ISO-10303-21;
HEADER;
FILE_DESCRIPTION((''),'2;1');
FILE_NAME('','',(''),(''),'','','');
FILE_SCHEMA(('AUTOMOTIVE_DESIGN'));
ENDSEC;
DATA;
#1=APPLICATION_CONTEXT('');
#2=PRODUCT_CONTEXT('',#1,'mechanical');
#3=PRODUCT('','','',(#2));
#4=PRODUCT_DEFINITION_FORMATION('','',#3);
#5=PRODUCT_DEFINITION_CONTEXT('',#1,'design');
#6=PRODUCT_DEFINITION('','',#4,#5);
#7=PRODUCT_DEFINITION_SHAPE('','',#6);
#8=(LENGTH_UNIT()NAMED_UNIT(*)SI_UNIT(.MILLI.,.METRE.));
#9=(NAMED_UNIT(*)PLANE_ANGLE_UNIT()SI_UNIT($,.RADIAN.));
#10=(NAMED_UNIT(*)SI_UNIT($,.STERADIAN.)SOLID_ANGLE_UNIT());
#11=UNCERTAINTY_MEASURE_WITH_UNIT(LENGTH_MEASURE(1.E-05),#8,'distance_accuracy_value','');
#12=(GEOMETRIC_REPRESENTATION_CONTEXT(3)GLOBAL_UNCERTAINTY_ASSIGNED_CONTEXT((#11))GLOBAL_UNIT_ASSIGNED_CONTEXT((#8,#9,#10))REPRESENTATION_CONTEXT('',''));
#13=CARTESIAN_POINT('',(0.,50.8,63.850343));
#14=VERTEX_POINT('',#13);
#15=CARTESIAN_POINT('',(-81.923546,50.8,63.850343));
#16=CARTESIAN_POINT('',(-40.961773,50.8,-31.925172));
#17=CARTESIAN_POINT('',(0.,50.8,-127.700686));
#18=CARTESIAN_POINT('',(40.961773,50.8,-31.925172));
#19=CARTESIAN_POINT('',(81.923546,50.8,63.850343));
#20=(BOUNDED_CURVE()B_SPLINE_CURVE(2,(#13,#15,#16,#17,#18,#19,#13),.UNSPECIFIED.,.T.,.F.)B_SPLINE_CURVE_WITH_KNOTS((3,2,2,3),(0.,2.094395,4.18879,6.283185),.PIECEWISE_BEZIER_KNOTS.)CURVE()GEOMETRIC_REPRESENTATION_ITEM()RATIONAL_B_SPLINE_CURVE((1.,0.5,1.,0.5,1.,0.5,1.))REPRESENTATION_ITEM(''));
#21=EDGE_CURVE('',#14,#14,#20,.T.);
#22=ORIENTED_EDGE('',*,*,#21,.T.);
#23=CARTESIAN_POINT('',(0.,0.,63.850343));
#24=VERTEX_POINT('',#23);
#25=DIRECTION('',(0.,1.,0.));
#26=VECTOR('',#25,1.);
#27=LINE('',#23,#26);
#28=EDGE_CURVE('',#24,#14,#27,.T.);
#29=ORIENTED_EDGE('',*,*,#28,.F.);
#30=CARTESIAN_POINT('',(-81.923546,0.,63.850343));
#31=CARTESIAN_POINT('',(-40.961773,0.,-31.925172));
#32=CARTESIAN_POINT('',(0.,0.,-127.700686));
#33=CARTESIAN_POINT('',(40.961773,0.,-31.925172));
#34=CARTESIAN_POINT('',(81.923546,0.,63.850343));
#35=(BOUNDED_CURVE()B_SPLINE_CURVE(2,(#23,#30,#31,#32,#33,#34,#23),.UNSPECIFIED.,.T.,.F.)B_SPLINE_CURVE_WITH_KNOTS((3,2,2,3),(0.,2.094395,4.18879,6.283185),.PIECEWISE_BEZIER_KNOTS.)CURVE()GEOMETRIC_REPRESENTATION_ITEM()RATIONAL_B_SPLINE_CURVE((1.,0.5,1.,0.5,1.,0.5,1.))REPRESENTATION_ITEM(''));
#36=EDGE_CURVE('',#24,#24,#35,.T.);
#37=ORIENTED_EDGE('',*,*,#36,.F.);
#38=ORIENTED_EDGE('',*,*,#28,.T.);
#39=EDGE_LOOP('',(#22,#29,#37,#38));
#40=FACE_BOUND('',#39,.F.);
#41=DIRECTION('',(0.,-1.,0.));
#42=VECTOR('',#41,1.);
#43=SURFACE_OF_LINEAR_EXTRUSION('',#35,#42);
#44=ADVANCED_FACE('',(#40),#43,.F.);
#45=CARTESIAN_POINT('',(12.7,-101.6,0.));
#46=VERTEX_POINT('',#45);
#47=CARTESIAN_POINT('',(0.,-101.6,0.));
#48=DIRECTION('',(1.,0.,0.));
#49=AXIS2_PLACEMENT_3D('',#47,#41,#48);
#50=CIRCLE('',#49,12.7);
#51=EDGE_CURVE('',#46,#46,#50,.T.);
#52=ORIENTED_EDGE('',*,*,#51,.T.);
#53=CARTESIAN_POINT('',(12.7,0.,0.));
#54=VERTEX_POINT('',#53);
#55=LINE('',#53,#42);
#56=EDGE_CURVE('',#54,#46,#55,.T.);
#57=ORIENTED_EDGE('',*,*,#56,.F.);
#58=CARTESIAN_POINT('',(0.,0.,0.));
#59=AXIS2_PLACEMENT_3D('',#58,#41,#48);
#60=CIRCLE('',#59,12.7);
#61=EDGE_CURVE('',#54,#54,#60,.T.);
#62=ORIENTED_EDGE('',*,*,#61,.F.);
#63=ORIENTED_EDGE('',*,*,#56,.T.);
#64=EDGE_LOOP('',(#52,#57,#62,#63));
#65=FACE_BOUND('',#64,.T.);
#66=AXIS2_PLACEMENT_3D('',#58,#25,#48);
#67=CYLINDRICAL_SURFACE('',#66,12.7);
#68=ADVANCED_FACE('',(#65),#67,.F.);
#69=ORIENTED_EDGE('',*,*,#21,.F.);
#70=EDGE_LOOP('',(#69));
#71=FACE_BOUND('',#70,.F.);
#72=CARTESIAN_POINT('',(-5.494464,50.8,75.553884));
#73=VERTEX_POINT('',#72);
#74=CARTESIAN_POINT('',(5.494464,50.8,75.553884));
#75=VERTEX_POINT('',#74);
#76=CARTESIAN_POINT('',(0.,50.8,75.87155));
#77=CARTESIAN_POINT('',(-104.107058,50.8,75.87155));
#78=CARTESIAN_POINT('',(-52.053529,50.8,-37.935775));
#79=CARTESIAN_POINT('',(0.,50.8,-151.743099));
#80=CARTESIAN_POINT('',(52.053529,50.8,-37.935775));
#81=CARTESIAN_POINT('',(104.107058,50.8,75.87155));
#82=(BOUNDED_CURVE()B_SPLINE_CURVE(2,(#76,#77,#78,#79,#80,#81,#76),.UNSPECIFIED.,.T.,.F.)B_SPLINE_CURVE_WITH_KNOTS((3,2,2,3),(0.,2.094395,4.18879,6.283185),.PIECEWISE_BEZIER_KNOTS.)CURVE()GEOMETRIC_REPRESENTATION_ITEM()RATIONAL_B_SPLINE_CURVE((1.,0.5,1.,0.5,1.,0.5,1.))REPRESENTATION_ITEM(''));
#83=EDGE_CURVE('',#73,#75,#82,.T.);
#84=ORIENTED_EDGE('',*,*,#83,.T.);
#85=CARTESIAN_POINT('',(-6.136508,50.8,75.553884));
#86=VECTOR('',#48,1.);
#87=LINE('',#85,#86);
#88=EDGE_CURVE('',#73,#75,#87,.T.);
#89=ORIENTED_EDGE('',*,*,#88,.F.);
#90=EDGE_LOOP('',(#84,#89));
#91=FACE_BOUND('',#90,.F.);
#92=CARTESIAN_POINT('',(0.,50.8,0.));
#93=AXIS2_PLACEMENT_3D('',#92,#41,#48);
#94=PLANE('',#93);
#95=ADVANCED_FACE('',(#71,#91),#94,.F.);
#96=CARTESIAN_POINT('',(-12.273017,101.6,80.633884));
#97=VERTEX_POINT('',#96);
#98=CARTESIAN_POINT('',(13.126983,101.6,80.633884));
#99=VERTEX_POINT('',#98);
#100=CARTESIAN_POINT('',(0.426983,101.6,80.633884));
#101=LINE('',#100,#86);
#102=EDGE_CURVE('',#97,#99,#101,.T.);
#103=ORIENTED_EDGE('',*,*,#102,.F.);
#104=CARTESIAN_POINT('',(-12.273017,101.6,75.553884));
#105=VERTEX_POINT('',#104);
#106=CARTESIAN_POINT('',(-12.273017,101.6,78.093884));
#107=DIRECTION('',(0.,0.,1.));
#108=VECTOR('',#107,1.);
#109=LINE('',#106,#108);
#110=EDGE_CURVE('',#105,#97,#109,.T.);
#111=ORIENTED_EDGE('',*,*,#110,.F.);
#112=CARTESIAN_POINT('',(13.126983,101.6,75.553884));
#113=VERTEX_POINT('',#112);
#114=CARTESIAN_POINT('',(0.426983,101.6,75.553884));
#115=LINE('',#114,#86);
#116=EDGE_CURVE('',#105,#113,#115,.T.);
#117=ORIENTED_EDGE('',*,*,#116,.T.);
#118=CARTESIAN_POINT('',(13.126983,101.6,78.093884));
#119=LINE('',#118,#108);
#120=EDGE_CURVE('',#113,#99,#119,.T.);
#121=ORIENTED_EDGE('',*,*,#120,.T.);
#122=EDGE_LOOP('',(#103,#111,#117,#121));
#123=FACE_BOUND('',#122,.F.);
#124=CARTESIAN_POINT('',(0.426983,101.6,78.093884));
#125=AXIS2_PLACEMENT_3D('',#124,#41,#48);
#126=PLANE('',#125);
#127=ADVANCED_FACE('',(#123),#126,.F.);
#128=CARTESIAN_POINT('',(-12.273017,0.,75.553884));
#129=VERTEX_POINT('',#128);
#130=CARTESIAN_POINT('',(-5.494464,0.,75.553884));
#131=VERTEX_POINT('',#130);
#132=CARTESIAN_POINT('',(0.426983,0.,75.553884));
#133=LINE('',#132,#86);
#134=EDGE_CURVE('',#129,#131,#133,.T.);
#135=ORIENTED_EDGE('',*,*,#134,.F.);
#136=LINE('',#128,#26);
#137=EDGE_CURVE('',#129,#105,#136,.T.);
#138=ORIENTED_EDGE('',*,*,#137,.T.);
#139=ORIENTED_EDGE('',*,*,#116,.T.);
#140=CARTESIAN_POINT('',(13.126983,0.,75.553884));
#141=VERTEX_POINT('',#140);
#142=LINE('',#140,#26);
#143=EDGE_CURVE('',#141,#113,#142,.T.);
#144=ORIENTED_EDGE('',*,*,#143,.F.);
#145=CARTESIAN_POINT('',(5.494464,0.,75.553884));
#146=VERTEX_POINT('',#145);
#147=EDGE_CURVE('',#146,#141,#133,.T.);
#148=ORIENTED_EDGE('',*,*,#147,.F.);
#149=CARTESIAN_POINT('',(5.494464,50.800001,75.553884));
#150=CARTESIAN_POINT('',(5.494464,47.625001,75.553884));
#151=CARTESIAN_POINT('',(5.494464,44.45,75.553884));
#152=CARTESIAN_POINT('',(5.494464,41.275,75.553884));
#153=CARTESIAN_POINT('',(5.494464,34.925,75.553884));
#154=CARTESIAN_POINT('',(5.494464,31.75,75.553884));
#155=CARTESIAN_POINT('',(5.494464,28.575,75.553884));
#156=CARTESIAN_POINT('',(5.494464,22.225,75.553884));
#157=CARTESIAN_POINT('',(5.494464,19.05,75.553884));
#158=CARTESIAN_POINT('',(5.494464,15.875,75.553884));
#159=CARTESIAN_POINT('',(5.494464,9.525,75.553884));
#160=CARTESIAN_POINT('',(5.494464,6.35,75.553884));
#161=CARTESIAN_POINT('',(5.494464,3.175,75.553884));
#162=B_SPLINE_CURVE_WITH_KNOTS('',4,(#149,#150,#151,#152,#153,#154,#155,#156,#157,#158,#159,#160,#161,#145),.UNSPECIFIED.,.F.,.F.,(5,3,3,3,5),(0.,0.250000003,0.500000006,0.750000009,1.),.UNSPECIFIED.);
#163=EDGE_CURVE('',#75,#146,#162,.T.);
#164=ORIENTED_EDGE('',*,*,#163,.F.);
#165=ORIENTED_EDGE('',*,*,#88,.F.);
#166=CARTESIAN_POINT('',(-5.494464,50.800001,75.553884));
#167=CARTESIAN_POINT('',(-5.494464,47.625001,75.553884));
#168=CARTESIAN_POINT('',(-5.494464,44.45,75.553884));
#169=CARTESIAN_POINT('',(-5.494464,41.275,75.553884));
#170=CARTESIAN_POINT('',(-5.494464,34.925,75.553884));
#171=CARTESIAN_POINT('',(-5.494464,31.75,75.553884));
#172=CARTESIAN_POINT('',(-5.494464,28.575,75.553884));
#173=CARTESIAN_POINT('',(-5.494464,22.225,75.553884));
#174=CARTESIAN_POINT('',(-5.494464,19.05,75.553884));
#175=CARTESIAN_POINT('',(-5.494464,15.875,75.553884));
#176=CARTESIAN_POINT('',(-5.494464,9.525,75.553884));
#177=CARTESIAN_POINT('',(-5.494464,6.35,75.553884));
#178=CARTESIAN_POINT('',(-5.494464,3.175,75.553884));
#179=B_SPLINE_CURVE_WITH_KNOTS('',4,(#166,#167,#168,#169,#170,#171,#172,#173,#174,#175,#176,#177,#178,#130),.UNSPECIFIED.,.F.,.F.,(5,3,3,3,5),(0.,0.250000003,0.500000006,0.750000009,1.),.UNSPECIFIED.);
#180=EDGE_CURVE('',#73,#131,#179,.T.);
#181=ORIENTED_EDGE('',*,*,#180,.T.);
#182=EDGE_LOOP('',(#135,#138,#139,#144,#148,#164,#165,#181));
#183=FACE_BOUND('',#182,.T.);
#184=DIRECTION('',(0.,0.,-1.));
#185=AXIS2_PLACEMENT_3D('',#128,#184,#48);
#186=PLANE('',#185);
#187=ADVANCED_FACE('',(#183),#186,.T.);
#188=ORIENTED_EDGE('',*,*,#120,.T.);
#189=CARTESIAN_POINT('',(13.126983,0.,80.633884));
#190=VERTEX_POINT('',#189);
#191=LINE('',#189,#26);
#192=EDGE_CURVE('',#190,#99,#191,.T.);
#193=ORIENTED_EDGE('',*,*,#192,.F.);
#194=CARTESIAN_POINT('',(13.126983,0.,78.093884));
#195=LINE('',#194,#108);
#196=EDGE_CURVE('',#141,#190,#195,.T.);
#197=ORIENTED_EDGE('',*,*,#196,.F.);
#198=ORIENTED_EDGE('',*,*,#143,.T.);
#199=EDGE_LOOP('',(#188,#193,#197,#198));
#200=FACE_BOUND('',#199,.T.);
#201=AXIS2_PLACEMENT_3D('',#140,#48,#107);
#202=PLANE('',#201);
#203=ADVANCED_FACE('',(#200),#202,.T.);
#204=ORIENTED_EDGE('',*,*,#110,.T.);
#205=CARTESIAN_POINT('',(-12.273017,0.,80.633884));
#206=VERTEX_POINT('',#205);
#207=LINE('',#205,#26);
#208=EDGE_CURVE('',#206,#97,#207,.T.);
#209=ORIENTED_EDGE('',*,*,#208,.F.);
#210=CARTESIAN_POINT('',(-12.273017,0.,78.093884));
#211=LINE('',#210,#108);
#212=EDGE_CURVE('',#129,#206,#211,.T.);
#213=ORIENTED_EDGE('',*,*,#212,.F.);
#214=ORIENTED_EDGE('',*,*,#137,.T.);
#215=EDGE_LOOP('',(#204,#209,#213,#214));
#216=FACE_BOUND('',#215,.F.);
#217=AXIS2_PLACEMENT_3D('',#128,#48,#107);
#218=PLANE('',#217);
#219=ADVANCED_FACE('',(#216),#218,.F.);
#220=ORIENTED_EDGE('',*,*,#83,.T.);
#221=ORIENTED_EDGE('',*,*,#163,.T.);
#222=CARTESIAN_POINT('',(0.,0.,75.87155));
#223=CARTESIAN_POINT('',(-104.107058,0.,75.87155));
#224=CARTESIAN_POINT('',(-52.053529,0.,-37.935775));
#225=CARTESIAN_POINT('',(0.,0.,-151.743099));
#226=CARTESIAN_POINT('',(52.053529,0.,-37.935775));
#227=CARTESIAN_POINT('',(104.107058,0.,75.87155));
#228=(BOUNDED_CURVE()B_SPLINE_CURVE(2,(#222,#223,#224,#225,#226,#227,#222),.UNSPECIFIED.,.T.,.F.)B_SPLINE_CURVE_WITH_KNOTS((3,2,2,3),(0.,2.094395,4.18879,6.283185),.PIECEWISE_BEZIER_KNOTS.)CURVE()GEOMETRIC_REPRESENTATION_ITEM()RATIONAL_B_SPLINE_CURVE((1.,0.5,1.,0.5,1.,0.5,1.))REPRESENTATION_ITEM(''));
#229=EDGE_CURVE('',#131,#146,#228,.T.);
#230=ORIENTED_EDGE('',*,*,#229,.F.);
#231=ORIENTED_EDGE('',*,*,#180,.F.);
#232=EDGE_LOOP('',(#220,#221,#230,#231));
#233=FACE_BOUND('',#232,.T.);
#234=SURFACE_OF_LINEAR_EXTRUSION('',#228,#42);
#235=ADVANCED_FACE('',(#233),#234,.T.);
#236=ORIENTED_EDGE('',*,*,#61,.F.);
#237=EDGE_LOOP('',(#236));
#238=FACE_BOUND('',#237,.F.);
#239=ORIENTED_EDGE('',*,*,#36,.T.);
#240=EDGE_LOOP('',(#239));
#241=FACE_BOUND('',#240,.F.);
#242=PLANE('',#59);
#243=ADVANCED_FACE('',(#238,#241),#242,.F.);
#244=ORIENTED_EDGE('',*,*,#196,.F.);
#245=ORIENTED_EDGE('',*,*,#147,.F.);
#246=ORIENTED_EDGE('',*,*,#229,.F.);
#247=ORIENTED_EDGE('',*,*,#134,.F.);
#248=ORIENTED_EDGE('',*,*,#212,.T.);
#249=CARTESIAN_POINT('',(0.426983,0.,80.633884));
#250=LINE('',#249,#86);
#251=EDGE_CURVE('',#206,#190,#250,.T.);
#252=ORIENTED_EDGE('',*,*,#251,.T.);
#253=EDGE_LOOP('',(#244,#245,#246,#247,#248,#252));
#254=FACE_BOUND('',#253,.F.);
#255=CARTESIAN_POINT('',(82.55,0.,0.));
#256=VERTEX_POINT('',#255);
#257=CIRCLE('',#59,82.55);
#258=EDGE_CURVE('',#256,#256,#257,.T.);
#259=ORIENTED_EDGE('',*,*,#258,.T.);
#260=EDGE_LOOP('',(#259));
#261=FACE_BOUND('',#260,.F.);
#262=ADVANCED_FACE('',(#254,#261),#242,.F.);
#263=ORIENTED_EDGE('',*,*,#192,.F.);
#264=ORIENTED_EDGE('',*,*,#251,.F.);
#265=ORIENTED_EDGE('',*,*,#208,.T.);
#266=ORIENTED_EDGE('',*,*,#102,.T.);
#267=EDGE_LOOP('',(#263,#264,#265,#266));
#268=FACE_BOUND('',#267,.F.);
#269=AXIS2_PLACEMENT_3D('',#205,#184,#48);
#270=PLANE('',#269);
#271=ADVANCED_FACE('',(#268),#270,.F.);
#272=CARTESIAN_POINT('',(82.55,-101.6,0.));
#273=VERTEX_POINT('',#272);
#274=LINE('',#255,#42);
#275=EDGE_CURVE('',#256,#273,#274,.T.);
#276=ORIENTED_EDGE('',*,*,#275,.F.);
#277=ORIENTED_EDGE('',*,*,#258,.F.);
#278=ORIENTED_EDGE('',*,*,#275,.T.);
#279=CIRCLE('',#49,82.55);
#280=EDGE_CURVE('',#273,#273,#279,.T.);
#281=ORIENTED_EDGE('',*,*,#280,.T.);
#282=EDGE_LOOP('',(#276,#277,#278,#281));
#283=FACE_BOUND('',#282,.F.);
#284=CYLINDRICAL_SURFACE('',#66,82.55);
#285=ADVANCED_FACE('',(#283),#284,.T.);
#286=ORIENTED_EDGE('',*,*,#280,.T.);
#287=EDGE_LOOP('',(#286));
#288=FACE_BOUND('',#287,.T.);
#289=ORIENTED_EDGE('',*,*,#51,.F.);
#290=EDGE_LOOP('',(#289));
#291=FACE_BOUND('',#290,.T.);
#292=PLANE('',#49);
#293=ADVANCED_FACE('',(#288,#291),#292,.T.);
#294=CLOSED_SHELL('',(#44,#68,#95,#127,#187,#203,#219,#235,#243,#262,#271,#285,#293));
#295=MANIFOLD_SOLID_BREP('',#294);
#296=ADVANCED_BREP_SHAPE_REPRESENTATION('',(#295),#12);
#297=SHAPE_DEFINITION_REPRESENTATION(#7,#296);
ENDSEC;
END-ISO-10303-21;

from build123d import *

# Parameters (mm, degrees)
F0_R      = 82.55
F1_DEPTH  = 101.6
F4_DEPTH  = 25.4
F5_DEPTH  = 50.8
F7_DEPTH  = 50.8
F8_W      = 25.4
F8_H      = 5.08
F9_DEPTH  = 101.6
F10_R     = 12.7
F11_DEPTH = 101.6


with BuildPart() as f1:
    # F0 (on Front) → F1 (new body)
    with BuildSketch(Plane.XZ):
        Circle(F0_R)
    extrude(amount=F1_DEPTH)

    # F3 (on Front) → F4 (cut)
    with BuildSketch(Plane.XZ):
        with BuildLine():
            add(Edge.make_bspline(
                [(0, 63.5), (-79.192427, 63.5), (-39.596214, -31.75), (0, -127), (39.596214, -31.75), (79.192427, 63.5), (0, 63.5)],
                knots=[0, 0, 0, 2.094395, 2.094395, 4.18879, 4.18879, 6.283185, 6.283185, 6.283185], degree=2, weights=[1, 0.5, 1, 0.5, 1, 0.5, 1]))
        make_face()
    extrude(amount=-F4_DEPTH, mode=Mode.SUBTRACT)

    # F2 (on Front) → F5 (join)
    with BuildSketch(Plane.XZ):
        with BuildLine():
            add(Edge.make_bspline(
                [(0, 75.87155), (-104.107058, 75.87155), (-52.053529, -37.935775), (0, -151.743099), (52.053529, -37.935775), (104.107058, 75.87155), (0, 75.87155)],
                knots=[0, 0, 0, 2.094395, 2.094395, 4.18879, 4.18879, 6.283185, 6.283185, 6.283185], degree=2, weights=[1, 0.5, 1, 0.5, 1, 0.5, 1]))
        make_face()
    extrude(amount=-F5_DEPTH)

    # F6 (on Front) → F7 (cut)
    with BuildSketch(Plane.XZ):
        with BuildLine():
            add(Edge.make_bspline(
                [(0, 63.850343), (-81.923546, 63.850343), (-40.961773, -31.925172), (0, -127.700686), (40.961773, -31.925172), (81.923546, 63.850343), (0, 63.850343)],
                knots=[0, 0, 0, 2.094395, 2.094395, 4.18879, 4.18879, 6.283185, 6.283185, 6.283185], degree=2, weights=[1, 0.5, 1, 0.5, 1, 0.5, 1]))
        make_face()
    extrude(amount=-F7_DEPTH, mode=Mode.SUBTRACT)

    # F8 (on Front) → F9 (join)
    with BuildSketch(Plane.XZ):
        with Locations((0.426983, 78.093884)):
            Rectangle(F8_W, F8_H)
    extrude(amount=-F9_DEPTH)

    # F10 (on Front) → F11 (cut)
    with BuildSketch(Plane.XZ):
        Circle(F10_R)
    extrude(amount=F11_DEPTH, mode=Mode.SUBTRACT)


solid = f1.part
